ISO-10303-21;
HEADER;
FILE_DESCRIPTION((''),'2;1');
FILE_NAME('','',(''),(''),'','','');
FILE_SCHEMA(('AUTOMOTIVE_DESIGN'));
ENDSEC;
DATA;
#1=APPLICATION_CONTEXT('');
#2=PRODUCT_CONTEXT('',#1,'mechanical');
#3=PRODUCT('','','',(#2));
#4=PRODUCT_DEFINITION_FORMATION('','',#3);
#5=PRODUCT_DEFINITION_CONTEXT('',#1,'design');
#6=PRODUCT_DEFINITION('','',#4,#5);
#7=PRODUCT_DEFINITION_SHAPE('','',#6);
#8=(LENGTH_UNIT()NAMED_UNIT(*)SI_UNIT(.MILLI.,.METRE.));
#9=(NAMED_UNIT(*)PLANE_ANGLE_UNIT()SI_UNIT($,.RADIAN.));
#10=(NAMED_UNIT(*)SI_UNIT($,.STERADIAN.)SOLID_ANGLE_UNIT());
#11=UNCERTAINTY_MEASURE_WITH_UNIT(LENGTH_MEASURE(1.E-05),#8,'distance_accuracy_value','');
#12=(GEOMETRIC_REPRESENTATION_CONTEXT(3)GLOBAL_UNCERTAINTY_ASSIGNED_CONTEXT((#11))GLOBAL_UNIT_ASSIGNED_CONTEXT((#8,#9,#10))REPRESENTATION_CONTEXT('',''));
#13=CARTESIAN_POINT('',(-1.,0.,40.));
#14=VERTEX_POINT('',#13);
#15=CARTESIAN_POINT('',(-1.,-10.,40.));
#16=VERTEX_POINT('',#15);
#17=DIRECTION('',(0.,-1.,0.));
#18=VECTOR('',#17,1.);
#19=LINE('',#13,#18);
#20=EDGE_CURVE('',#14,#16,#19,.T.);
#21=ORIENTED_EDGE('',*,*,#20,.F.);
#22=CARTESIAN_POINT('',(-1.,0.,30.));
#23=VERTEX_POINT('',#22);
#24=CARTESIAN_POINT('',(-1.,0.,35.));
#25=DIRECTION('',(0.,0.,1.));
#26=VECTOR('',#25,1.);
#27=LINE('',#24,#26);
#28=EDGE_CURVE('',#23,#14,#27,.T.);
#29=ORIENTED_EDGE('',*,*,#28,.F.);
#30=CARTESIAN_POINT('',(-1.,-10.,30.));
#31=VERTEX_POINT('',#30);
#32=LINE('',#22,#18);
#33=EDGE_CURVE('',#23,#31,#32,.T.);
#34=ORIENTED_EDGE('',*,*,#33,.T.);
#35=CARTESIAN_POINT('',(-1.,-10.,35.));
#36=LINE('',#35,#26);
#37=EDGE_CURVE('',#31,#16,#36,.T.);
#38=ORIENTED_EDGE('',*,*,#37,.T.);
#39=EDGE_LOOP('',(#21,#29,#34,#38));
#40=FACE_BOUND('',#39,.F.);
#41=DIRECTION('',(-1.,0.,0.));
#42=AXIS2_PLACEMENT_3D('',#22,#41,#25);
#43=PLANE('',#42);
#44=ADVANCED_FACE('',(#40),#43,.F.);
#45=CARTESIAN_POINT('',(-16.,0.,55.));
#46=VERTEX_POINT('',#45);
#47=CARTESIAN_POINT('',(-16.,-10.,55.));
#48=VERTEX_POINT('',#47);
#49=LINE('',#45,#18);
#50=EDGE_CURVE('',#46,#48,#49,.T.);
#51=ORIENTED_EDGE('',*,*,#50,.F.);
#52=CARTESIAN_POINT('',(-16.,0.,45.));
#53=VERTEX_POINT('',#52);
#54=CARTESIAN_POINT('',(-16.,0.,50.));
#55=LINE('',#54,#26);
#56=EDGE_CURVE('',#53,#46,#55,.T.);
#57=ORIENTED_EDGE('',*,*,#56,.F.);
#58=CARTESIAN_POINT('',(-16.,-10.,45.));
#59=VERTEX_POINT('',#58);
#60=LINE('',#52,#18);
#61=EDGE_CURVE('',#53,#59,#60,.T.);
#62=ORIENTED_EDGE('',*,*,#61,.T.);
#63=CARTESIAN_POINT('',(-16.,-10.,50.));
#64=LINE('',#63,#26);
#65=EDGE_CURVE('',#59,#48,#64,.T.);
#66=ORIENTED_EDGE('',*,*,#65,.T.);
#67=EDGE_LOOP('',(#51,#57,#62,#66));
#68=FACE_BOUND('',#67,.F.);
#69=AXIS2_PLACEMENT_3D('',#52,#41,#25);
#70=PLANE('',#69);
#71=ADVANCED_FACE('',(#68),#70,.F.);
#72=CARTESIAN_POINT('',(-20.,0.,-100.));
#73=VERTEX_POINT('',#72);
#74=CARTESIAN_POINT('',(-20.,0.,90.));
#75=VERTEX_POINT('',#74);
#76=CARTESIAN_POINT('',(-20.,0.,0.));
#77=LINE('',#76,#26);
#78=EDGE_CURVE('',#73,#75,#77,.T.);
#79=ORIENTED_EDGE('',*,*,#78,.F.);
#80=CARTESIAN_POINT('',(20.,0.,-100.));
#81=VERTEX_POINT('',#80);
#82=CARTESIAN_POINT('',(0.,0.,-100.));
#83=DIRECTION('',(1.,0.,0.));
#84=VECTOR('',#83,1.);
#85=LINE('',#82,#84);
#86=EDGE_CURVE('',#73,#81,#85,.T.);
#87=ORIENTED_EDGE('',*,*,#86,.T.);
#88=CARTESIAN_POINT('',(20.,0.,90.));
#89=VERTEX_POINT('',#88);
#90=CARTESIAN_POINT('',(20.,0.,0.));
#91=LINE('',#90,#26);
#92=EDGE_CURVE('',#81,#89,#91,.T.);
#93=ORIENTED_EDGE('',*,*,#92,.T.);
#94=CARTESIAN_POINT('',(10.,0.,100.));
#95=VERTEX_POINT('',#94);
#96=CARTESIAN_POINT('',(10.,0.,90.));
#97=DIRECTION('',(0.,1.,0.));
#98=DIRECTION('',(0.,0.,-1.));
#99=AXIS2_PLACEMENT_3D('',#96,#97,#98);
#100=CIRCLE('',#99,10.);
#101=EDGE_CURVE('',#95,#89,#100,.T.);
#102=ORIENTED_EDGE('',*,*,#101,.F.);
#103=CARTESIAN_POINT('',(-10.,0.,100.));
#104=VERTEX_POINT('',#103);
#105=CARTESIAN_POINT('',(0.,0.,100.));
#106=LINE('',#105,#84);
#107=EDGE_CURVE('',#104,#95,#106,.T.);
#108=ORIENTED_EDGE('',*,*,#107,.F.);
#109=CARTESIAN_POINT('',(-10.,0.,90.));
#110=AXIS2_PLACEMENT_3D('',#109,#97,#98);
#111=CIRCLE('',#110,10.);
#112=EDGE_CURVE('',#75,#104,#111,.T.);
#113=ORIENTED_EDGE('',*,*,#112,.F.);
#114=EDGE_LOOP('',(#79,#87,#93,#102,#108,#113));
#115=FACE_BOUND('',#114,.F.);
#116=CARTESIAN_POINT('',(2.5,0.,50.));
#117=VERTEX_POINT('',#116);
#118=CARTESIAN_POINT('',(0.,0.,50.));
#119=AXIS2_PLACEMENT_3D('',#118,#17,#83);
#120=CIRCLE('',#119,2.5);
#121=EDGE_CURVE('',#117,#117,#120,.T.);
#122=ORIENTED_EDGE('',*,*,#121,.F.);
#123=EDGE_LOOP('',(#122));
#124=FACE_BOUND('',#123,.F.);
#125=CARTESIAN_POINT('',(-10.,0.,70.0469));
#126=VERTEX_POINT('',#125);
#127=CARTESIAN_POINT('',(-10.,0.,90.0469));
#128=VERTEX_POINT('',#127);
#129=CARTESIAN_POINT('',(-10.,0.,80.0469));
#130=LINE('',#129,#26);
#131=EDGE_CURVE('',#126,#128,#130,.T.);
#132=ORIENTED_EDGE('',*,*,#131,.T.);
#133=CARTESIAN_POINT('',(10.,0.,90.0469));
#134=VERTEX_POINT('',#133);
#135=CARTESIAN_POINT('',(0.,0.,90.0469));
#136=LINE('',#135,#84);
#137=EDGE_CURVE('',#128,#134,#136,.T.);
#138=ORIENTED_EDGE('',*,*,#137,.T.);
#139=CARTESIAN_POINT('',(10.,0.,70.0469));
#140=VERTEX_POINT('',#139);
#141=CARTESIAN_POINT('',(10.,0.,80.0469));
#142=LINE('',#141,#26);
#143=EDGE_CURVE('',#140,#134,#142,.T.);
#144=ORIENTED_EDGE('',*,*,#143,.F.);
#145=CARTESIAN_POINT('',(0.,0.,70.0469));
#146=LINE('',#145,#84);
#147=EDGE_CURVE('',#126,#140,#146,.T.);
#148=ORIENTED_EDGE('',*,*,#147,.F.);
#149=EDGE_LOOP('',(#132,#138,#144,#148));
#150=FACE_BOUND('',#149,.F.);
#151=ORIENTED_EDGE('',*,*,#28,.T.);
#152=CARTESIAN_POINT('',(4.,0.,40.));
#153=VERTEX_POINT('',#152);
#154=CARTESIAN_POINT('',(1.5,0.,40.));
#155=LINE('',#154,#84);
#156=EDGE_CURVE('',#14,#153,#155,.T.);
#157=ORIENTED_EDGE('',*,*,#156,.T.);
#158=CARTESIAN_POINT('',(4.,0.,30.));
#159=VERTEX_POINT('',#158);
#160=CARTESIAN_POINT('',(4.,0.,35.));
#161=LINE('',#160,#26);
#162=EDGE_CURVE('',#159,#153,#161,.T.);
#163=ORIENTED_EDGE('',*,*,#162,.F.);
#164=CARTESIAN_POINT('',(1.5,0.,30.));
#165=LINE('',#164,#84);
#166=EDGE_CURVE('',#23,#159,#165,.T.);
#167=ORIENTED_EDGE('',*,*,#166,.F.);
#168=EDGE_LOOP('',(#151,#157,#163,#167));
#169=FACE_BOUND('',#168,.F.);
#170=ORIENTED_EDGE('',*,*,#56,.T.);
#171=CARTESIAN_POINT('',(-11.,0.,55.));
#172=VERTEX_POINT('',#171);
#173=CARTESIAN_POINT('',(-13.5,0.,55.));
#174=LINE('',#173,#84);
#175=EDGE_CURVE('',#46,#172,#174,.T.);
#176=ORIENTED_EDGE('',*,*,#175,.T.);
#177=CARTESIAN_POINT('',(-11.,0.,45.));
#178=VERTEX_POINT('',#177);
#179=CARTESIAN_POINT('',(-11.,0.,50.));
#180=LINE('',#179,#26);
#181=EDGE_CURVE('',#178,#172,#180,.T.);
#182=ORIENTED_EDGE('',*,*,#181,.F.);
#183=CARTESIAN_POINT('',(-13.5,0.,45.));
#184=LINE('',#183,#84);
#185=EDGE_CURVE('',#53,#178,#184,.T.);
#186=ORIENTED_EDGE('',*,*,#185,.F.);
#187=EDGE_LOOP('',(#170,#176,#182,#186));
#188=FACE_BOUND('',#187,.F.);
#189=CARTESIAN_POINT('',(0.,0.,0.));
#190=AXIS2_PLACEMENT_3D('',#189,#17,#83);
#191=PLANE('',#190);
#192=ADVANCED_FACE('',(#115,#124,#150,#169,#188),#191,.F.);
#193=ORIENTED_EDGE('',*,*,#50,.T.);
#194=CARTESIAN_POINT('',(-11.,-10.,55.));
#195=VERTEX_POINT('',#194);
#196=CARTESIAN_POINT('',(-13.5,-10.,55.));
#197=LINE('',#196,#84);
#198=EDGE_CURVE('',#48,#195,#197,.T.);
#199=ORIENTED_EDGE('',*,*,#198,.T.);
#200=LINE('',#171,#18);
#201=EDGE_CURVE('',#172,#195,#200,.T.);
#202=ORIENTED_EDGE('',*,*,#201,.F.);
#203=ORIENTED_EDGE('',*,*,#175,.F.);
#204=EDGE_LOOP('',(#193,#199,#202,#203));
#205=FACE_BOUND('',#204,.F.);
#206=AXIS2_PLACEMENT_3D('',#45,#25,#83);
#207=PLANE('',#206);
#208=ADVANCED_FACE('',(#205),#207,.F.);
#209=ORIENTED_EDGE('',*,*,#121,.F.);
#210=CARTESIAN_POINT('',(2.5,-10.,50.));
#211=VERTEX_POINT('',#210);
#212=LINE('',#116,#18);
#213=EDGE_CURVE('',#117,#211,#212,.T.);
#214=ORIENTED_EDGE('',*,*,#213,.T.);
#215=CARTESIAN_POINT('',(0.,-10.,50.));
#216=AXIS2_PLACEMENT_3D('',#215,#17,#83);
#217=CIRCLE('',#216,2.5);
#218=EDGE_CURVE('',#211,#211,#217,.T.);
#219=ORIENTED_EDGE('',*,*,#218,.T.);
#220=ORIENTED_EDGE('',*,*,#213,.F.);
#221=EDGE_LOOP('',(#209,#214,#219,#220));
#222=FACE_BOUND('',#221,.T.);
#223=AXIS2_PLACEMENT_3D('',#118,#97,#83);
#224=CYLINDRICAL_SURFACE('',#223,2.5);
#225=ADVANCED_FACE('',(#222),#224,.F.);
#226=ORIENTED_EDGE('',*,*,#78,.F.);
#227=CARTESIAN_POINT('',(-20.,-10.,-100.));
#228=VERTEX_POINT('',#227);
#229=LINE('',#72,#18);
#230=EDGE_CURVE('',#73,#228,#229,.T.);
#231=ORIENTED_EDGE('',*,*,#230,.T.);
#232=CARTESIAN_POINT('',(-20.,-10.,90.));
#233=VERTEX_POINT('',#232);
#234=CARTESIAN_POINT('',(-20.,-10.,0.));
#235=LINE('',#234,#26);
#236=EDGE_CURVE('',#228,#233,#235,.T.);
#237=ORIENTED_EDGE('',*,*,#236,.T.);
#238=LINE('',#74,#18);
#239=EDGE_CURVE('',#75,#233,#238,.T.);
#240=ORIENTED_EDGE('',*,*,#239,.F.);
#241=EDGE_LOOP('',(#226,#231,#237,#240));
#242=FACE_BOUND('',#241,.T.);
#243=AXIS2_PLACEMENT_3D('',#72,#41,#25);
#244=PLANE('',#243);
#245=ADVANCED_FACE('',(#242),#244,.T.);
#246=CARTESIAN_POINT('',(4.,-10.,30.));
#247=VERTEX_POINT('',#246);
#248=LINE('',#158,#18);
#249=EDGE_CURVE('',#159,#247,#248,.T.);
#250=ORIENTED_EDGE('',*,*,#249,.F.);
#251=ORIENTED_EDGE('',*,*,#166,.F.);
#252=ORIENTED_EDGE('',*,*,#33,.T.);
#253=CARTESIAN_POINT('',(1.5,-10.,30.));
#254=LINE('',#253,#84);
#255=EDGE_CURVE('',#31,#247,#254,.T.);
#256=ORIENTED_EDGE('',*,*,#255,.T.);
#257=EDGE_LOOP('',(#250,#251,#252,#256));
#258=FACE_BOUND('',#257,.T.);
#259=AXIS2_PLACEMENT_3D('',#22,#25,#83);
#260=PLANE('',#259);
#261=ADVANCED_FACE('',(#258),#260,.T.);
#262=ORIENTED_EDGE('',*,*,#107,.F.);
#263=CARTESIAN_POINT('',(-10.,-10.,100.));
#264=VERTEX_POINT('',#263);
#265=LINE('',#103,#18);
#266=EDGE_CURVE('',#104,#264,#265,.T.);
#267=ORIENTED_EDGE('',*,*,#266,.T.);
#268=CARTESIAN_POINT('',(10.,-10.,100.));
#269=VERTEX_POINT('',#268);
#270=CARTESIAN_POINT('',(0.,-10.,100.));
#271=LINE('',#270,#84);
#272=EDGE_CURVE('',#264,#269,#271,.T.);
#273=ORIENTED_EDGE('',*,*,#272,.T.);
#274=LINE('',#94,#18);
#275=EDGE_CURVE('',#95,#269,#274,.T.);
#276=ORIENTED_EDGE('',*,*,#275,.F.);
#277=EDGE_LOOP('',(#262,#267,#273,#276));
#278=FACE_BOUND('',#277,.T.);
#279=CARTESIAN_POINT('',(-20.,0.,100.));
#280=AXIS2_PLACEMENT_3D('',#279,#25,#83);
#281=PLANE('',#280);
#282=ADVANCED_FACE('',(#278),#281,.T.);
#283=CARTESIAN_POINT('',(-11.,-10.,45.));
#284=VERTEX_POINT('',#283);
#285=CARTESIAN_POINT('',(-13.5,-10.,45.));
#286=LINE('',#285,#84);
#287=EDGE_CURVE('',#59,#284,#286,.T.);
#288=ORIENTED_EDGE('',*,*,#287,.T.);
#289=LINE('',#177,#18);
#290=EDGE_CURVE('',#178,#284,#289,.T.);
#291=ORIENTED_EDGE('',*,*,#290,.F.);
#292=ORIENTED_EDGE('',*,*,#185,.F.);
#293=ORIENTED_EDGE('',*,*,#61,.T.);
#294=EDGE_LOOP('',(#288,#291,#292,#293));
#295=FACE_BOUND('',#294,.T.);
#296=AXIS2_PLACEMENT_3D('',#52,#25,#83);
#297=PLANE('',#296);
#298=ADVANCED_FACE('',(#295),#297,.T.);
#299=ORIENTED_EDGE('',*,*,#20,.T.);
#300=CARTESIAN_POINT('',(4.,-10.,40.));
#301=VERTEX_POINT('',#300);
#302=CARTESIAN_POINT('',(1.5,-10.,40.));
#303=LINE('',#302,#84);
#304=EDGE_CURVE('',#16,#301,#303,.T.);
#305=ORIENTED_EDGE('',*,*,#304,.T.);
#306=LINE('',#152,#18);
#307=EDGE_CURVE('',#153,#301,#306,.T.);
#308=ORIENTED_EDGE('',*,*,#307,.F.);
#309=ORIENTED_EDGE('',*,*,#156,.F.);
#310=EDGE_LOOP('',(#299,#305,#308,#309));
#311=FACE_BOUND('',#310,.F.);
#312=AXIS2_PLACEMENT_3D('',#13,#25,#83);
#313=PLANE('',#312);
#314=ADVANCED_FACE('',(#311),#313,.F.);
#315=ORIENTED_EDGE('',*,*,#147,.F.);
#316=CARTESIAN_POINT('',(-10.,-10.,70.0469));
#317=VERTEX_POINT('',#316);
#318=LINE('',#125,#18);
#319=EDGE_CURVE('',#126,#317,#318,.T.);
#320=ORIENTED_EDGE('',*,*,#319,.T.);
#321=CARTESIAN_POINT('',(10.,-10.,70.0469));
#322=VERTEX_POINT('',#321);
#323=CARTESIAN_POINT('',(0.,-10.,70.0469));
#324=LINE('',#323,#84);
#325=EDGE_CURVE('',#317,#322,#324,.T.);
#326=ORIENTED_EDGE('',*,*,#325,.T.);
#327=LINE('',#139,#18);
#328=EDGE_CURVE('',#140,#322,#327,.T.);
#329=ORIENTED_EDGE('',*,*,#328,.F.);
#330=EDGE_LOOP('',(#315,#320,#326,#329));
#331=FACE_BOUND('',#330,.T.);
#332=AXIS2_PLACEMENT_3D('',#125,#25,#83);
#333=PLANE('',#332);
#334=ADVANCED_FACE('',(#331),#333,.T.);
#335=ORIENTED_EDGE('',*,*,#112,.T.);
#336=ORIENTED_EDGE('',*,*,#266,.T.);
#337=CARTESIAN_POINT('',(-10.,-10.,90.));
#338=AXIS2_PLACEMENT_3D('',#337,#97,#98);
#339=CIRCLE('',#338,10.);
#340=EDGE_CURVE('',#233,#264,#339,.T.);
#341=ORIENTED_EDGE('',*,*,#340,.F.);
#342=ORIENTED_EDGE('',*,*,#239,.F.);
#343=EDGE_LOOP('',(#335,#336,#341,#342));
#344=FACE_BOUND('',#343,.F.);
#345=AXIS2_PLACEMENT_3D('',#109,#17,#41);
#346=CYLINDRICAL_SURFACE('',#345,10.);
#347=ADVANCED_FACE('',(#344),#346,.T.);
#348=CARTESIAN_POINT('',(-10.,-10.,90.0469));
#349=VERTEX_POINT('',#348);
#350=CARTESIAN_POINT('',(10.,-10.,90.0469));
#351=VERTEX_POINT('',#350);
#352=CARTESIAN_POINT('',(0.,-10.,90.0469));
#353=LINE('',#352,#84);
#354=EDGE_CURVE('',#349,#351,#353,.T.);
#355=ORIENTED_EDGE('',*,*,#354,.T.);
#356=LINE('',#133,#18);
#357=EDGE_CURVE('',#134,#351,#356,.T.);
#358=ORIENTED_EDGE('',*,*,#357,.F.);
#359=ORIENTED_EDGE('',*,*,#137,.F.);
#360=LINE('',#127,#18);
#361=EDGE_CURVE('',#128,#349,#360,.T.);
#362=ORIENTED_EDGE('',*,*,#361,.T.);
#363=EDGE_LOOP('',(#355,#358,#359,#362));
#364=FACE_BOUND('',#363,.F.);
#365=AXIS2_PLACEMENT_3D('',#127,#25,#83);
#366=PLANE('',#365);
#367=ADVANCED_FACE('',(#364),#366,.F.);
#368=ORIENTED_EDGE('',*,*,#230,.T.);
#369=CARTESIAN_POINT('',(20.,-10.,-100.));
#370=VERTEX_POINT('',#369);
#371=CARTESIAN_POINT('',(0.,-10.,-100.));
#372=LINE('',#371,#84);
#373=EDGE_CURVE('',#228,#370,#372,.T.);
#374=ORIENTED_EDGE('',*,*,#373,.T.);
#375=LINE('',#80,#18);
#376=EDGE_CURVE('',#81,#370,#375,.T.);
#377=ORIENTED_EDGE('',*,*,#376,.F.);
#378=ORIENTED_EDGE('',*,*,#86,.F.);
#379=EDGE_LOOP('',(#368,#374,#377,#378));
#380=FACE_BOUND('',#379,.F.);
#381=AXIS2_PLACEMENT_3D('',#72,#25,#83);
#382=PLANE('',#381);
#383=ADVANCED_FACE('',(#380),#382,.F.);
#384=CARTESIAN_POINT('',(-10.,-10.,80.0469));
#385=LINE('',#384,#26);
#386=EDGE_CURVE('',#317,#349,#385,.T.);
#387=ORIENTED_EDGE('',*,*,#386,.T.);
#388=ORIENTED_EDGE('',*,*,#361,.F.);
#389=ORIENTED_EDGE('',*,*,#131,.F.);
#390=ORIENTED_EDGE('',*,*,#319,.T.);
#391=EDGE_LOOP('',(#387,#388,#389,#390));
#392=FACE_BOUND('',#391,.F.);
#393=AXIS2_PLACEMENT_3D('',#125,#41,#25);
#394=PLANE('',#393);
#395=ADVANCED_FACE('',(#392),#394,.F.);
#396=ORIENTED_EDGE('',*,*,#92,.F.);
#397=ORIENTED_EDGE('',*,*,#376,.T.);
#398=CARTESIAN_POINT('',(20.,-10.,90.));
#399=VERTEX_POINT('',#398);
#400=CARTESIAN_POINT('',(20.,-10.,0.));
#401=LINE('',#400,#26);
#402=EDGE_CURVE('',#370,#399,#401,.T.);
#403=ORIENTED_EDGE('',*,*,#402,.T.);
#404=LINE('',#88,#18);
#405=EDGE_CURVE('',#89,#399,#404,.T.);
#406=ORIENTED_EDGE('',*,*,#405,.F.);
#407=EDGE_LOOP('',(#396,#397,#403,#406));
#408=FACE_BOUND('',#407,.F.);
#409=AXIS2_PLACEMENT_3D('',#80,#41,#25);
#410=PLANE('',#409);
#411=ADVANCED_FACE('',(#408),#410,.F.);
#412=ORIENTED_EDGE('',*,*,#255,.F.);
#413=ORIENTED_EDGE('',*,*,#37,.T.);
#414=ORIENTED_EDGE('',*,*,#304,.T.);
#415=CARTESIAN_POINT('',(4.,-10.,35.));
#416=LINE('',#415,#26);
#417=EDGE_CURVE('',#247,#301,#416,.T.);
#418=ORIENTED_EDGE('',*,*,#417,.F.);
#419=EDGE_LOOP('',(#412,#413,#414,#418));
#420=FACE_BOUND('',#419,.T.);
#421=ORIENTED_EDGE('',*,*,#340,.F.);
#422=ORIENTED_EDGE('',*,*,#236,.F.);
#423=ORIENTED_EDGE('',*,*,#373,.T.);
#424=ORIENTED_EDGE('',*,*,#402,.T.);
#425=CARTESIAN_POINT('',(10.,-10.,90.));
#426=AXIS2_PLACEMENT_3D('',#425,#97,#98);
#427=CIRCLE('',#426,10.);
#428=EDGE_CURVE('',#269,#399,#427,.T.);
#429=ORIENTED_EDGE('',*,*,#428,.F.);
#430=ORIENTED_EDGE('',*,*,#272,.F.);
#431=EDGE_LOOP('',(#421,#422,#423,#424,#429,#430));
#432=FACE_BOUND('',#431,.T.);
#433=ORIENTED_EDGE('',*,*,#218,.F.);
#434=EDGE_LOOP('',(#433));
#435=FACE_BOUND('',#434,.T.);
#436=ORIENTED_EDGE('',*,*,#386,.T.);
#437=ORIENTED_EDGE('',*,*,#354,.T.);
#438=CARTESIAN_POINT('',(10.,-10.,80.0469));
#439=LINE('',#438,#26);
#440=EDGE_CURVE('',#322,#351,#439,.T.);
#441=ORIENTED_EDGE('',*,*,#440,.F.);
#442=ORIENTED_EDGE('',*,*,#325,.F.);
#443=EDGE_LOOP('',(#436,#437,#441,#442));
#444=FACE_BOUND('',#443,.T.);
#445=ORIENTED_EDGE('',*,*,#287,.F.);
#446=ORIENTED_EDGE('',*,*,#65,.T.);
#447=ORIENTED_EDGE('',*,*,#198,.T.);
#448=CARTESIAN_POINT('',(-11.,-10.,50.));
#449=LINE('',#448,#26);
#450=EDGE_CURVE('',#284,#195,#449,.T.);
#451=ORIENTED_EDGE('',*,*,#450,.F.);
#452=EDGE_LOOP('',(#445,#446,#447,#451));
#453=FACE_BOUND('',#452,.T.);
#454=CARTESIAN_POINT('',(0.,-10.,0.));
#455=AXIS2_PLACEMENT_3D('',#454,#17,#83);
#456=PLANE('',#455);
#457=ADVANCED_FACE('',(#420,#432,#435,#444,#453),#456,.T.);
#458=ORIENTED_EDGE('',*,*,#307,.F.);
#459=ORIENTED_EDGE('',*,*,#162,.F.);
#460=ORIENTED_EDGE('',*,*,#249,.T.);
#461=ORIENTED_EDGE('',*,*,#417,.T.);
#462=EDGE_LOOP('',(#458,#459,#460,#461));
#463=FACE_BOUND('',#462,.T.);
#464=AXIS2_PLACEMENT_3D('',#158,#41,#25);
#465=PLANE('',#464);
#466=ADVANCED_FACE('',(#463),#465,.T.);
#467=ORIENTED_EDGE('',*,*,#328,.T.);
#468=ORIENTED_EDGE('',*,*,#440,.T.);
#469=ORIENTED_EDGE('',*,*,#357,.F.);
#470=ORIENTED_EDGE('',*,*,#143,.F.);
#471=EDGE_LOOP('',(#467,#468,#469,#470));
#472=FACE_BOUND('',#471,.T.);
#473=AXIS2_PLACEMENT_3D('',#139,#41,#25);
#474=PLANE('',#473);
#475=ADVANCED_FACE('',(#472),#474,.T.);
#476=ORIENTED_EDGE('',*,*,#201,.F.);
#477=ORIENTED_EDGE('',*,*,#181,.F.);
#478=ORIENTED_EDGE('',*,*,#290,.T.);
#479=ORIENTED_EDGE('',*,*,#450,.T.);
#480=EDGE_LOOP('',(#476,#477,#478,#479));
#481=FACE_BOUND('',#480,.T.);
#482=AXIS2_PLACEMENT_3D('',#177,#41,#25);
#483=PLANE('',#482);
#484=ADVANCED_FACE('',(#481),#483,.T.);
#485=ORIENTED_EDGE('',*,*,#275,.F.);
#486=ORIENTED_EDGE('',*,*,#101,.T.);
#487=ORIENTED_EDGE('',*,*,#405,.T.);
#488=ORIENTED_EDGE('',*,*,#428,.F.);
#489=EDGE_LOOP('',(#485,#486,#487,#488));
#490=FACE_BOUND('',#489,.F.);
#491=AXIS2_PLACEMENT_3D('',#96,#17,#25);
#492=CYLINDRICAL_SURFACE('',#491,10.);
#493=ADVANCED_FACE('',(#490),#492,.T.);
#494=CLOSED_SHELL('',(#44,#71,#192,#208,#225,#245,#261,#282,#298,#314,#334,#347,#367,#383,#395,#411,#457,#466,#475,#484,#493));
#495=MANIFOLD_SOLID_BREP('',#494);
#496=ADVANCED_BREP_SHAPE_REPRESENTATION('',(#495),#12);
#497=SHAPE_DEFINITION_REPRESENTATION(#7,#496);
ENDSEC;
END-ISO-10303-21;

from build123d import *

# Parameters (mm, degrees)
F0_W     = 40
F0_H     = 200
F0_W_2   = 5
F0_H_2   = 10
F0_R     = 2.5
F0_W_3   = 20
F0_H_3   = 20
F1_DEPTH = 10
F2_R     = 10


with BuildPart() as f1:
    # F0 (on Front) → F1 (new body)
    with BuildSketch(Plane.XZ):
        Rectangle(F0_W, F0_H)
        with Locations((-13.5, 50)):
            Rectangle(F0_W_2, F0_H_2, mode=Mode.SUBTRACT)
        with Locations((1.5, 35)):
            Rectangle(F0_W_2, F0_H_2, mode=Mode.SUBTRACT)
        with Locations((0, 50)):
            Circle(F0_R, mode=Mode.SUBTRACT)
        with Locations((0, 80.0469)):
            Rectangle(F0_W_3, F0_H_3, mode=Mode.SUBTRACT)
    extrude(amount=F1_DEPTH)

    # F2
    f2_edges = [f1.edges().sort_by_distance(p)[0] for p in [
        (20, -5, 100),
        (-20, -5, 100),
    ]]
    fillet(f2_edges, radius=F2_R)


solid = f1.part
